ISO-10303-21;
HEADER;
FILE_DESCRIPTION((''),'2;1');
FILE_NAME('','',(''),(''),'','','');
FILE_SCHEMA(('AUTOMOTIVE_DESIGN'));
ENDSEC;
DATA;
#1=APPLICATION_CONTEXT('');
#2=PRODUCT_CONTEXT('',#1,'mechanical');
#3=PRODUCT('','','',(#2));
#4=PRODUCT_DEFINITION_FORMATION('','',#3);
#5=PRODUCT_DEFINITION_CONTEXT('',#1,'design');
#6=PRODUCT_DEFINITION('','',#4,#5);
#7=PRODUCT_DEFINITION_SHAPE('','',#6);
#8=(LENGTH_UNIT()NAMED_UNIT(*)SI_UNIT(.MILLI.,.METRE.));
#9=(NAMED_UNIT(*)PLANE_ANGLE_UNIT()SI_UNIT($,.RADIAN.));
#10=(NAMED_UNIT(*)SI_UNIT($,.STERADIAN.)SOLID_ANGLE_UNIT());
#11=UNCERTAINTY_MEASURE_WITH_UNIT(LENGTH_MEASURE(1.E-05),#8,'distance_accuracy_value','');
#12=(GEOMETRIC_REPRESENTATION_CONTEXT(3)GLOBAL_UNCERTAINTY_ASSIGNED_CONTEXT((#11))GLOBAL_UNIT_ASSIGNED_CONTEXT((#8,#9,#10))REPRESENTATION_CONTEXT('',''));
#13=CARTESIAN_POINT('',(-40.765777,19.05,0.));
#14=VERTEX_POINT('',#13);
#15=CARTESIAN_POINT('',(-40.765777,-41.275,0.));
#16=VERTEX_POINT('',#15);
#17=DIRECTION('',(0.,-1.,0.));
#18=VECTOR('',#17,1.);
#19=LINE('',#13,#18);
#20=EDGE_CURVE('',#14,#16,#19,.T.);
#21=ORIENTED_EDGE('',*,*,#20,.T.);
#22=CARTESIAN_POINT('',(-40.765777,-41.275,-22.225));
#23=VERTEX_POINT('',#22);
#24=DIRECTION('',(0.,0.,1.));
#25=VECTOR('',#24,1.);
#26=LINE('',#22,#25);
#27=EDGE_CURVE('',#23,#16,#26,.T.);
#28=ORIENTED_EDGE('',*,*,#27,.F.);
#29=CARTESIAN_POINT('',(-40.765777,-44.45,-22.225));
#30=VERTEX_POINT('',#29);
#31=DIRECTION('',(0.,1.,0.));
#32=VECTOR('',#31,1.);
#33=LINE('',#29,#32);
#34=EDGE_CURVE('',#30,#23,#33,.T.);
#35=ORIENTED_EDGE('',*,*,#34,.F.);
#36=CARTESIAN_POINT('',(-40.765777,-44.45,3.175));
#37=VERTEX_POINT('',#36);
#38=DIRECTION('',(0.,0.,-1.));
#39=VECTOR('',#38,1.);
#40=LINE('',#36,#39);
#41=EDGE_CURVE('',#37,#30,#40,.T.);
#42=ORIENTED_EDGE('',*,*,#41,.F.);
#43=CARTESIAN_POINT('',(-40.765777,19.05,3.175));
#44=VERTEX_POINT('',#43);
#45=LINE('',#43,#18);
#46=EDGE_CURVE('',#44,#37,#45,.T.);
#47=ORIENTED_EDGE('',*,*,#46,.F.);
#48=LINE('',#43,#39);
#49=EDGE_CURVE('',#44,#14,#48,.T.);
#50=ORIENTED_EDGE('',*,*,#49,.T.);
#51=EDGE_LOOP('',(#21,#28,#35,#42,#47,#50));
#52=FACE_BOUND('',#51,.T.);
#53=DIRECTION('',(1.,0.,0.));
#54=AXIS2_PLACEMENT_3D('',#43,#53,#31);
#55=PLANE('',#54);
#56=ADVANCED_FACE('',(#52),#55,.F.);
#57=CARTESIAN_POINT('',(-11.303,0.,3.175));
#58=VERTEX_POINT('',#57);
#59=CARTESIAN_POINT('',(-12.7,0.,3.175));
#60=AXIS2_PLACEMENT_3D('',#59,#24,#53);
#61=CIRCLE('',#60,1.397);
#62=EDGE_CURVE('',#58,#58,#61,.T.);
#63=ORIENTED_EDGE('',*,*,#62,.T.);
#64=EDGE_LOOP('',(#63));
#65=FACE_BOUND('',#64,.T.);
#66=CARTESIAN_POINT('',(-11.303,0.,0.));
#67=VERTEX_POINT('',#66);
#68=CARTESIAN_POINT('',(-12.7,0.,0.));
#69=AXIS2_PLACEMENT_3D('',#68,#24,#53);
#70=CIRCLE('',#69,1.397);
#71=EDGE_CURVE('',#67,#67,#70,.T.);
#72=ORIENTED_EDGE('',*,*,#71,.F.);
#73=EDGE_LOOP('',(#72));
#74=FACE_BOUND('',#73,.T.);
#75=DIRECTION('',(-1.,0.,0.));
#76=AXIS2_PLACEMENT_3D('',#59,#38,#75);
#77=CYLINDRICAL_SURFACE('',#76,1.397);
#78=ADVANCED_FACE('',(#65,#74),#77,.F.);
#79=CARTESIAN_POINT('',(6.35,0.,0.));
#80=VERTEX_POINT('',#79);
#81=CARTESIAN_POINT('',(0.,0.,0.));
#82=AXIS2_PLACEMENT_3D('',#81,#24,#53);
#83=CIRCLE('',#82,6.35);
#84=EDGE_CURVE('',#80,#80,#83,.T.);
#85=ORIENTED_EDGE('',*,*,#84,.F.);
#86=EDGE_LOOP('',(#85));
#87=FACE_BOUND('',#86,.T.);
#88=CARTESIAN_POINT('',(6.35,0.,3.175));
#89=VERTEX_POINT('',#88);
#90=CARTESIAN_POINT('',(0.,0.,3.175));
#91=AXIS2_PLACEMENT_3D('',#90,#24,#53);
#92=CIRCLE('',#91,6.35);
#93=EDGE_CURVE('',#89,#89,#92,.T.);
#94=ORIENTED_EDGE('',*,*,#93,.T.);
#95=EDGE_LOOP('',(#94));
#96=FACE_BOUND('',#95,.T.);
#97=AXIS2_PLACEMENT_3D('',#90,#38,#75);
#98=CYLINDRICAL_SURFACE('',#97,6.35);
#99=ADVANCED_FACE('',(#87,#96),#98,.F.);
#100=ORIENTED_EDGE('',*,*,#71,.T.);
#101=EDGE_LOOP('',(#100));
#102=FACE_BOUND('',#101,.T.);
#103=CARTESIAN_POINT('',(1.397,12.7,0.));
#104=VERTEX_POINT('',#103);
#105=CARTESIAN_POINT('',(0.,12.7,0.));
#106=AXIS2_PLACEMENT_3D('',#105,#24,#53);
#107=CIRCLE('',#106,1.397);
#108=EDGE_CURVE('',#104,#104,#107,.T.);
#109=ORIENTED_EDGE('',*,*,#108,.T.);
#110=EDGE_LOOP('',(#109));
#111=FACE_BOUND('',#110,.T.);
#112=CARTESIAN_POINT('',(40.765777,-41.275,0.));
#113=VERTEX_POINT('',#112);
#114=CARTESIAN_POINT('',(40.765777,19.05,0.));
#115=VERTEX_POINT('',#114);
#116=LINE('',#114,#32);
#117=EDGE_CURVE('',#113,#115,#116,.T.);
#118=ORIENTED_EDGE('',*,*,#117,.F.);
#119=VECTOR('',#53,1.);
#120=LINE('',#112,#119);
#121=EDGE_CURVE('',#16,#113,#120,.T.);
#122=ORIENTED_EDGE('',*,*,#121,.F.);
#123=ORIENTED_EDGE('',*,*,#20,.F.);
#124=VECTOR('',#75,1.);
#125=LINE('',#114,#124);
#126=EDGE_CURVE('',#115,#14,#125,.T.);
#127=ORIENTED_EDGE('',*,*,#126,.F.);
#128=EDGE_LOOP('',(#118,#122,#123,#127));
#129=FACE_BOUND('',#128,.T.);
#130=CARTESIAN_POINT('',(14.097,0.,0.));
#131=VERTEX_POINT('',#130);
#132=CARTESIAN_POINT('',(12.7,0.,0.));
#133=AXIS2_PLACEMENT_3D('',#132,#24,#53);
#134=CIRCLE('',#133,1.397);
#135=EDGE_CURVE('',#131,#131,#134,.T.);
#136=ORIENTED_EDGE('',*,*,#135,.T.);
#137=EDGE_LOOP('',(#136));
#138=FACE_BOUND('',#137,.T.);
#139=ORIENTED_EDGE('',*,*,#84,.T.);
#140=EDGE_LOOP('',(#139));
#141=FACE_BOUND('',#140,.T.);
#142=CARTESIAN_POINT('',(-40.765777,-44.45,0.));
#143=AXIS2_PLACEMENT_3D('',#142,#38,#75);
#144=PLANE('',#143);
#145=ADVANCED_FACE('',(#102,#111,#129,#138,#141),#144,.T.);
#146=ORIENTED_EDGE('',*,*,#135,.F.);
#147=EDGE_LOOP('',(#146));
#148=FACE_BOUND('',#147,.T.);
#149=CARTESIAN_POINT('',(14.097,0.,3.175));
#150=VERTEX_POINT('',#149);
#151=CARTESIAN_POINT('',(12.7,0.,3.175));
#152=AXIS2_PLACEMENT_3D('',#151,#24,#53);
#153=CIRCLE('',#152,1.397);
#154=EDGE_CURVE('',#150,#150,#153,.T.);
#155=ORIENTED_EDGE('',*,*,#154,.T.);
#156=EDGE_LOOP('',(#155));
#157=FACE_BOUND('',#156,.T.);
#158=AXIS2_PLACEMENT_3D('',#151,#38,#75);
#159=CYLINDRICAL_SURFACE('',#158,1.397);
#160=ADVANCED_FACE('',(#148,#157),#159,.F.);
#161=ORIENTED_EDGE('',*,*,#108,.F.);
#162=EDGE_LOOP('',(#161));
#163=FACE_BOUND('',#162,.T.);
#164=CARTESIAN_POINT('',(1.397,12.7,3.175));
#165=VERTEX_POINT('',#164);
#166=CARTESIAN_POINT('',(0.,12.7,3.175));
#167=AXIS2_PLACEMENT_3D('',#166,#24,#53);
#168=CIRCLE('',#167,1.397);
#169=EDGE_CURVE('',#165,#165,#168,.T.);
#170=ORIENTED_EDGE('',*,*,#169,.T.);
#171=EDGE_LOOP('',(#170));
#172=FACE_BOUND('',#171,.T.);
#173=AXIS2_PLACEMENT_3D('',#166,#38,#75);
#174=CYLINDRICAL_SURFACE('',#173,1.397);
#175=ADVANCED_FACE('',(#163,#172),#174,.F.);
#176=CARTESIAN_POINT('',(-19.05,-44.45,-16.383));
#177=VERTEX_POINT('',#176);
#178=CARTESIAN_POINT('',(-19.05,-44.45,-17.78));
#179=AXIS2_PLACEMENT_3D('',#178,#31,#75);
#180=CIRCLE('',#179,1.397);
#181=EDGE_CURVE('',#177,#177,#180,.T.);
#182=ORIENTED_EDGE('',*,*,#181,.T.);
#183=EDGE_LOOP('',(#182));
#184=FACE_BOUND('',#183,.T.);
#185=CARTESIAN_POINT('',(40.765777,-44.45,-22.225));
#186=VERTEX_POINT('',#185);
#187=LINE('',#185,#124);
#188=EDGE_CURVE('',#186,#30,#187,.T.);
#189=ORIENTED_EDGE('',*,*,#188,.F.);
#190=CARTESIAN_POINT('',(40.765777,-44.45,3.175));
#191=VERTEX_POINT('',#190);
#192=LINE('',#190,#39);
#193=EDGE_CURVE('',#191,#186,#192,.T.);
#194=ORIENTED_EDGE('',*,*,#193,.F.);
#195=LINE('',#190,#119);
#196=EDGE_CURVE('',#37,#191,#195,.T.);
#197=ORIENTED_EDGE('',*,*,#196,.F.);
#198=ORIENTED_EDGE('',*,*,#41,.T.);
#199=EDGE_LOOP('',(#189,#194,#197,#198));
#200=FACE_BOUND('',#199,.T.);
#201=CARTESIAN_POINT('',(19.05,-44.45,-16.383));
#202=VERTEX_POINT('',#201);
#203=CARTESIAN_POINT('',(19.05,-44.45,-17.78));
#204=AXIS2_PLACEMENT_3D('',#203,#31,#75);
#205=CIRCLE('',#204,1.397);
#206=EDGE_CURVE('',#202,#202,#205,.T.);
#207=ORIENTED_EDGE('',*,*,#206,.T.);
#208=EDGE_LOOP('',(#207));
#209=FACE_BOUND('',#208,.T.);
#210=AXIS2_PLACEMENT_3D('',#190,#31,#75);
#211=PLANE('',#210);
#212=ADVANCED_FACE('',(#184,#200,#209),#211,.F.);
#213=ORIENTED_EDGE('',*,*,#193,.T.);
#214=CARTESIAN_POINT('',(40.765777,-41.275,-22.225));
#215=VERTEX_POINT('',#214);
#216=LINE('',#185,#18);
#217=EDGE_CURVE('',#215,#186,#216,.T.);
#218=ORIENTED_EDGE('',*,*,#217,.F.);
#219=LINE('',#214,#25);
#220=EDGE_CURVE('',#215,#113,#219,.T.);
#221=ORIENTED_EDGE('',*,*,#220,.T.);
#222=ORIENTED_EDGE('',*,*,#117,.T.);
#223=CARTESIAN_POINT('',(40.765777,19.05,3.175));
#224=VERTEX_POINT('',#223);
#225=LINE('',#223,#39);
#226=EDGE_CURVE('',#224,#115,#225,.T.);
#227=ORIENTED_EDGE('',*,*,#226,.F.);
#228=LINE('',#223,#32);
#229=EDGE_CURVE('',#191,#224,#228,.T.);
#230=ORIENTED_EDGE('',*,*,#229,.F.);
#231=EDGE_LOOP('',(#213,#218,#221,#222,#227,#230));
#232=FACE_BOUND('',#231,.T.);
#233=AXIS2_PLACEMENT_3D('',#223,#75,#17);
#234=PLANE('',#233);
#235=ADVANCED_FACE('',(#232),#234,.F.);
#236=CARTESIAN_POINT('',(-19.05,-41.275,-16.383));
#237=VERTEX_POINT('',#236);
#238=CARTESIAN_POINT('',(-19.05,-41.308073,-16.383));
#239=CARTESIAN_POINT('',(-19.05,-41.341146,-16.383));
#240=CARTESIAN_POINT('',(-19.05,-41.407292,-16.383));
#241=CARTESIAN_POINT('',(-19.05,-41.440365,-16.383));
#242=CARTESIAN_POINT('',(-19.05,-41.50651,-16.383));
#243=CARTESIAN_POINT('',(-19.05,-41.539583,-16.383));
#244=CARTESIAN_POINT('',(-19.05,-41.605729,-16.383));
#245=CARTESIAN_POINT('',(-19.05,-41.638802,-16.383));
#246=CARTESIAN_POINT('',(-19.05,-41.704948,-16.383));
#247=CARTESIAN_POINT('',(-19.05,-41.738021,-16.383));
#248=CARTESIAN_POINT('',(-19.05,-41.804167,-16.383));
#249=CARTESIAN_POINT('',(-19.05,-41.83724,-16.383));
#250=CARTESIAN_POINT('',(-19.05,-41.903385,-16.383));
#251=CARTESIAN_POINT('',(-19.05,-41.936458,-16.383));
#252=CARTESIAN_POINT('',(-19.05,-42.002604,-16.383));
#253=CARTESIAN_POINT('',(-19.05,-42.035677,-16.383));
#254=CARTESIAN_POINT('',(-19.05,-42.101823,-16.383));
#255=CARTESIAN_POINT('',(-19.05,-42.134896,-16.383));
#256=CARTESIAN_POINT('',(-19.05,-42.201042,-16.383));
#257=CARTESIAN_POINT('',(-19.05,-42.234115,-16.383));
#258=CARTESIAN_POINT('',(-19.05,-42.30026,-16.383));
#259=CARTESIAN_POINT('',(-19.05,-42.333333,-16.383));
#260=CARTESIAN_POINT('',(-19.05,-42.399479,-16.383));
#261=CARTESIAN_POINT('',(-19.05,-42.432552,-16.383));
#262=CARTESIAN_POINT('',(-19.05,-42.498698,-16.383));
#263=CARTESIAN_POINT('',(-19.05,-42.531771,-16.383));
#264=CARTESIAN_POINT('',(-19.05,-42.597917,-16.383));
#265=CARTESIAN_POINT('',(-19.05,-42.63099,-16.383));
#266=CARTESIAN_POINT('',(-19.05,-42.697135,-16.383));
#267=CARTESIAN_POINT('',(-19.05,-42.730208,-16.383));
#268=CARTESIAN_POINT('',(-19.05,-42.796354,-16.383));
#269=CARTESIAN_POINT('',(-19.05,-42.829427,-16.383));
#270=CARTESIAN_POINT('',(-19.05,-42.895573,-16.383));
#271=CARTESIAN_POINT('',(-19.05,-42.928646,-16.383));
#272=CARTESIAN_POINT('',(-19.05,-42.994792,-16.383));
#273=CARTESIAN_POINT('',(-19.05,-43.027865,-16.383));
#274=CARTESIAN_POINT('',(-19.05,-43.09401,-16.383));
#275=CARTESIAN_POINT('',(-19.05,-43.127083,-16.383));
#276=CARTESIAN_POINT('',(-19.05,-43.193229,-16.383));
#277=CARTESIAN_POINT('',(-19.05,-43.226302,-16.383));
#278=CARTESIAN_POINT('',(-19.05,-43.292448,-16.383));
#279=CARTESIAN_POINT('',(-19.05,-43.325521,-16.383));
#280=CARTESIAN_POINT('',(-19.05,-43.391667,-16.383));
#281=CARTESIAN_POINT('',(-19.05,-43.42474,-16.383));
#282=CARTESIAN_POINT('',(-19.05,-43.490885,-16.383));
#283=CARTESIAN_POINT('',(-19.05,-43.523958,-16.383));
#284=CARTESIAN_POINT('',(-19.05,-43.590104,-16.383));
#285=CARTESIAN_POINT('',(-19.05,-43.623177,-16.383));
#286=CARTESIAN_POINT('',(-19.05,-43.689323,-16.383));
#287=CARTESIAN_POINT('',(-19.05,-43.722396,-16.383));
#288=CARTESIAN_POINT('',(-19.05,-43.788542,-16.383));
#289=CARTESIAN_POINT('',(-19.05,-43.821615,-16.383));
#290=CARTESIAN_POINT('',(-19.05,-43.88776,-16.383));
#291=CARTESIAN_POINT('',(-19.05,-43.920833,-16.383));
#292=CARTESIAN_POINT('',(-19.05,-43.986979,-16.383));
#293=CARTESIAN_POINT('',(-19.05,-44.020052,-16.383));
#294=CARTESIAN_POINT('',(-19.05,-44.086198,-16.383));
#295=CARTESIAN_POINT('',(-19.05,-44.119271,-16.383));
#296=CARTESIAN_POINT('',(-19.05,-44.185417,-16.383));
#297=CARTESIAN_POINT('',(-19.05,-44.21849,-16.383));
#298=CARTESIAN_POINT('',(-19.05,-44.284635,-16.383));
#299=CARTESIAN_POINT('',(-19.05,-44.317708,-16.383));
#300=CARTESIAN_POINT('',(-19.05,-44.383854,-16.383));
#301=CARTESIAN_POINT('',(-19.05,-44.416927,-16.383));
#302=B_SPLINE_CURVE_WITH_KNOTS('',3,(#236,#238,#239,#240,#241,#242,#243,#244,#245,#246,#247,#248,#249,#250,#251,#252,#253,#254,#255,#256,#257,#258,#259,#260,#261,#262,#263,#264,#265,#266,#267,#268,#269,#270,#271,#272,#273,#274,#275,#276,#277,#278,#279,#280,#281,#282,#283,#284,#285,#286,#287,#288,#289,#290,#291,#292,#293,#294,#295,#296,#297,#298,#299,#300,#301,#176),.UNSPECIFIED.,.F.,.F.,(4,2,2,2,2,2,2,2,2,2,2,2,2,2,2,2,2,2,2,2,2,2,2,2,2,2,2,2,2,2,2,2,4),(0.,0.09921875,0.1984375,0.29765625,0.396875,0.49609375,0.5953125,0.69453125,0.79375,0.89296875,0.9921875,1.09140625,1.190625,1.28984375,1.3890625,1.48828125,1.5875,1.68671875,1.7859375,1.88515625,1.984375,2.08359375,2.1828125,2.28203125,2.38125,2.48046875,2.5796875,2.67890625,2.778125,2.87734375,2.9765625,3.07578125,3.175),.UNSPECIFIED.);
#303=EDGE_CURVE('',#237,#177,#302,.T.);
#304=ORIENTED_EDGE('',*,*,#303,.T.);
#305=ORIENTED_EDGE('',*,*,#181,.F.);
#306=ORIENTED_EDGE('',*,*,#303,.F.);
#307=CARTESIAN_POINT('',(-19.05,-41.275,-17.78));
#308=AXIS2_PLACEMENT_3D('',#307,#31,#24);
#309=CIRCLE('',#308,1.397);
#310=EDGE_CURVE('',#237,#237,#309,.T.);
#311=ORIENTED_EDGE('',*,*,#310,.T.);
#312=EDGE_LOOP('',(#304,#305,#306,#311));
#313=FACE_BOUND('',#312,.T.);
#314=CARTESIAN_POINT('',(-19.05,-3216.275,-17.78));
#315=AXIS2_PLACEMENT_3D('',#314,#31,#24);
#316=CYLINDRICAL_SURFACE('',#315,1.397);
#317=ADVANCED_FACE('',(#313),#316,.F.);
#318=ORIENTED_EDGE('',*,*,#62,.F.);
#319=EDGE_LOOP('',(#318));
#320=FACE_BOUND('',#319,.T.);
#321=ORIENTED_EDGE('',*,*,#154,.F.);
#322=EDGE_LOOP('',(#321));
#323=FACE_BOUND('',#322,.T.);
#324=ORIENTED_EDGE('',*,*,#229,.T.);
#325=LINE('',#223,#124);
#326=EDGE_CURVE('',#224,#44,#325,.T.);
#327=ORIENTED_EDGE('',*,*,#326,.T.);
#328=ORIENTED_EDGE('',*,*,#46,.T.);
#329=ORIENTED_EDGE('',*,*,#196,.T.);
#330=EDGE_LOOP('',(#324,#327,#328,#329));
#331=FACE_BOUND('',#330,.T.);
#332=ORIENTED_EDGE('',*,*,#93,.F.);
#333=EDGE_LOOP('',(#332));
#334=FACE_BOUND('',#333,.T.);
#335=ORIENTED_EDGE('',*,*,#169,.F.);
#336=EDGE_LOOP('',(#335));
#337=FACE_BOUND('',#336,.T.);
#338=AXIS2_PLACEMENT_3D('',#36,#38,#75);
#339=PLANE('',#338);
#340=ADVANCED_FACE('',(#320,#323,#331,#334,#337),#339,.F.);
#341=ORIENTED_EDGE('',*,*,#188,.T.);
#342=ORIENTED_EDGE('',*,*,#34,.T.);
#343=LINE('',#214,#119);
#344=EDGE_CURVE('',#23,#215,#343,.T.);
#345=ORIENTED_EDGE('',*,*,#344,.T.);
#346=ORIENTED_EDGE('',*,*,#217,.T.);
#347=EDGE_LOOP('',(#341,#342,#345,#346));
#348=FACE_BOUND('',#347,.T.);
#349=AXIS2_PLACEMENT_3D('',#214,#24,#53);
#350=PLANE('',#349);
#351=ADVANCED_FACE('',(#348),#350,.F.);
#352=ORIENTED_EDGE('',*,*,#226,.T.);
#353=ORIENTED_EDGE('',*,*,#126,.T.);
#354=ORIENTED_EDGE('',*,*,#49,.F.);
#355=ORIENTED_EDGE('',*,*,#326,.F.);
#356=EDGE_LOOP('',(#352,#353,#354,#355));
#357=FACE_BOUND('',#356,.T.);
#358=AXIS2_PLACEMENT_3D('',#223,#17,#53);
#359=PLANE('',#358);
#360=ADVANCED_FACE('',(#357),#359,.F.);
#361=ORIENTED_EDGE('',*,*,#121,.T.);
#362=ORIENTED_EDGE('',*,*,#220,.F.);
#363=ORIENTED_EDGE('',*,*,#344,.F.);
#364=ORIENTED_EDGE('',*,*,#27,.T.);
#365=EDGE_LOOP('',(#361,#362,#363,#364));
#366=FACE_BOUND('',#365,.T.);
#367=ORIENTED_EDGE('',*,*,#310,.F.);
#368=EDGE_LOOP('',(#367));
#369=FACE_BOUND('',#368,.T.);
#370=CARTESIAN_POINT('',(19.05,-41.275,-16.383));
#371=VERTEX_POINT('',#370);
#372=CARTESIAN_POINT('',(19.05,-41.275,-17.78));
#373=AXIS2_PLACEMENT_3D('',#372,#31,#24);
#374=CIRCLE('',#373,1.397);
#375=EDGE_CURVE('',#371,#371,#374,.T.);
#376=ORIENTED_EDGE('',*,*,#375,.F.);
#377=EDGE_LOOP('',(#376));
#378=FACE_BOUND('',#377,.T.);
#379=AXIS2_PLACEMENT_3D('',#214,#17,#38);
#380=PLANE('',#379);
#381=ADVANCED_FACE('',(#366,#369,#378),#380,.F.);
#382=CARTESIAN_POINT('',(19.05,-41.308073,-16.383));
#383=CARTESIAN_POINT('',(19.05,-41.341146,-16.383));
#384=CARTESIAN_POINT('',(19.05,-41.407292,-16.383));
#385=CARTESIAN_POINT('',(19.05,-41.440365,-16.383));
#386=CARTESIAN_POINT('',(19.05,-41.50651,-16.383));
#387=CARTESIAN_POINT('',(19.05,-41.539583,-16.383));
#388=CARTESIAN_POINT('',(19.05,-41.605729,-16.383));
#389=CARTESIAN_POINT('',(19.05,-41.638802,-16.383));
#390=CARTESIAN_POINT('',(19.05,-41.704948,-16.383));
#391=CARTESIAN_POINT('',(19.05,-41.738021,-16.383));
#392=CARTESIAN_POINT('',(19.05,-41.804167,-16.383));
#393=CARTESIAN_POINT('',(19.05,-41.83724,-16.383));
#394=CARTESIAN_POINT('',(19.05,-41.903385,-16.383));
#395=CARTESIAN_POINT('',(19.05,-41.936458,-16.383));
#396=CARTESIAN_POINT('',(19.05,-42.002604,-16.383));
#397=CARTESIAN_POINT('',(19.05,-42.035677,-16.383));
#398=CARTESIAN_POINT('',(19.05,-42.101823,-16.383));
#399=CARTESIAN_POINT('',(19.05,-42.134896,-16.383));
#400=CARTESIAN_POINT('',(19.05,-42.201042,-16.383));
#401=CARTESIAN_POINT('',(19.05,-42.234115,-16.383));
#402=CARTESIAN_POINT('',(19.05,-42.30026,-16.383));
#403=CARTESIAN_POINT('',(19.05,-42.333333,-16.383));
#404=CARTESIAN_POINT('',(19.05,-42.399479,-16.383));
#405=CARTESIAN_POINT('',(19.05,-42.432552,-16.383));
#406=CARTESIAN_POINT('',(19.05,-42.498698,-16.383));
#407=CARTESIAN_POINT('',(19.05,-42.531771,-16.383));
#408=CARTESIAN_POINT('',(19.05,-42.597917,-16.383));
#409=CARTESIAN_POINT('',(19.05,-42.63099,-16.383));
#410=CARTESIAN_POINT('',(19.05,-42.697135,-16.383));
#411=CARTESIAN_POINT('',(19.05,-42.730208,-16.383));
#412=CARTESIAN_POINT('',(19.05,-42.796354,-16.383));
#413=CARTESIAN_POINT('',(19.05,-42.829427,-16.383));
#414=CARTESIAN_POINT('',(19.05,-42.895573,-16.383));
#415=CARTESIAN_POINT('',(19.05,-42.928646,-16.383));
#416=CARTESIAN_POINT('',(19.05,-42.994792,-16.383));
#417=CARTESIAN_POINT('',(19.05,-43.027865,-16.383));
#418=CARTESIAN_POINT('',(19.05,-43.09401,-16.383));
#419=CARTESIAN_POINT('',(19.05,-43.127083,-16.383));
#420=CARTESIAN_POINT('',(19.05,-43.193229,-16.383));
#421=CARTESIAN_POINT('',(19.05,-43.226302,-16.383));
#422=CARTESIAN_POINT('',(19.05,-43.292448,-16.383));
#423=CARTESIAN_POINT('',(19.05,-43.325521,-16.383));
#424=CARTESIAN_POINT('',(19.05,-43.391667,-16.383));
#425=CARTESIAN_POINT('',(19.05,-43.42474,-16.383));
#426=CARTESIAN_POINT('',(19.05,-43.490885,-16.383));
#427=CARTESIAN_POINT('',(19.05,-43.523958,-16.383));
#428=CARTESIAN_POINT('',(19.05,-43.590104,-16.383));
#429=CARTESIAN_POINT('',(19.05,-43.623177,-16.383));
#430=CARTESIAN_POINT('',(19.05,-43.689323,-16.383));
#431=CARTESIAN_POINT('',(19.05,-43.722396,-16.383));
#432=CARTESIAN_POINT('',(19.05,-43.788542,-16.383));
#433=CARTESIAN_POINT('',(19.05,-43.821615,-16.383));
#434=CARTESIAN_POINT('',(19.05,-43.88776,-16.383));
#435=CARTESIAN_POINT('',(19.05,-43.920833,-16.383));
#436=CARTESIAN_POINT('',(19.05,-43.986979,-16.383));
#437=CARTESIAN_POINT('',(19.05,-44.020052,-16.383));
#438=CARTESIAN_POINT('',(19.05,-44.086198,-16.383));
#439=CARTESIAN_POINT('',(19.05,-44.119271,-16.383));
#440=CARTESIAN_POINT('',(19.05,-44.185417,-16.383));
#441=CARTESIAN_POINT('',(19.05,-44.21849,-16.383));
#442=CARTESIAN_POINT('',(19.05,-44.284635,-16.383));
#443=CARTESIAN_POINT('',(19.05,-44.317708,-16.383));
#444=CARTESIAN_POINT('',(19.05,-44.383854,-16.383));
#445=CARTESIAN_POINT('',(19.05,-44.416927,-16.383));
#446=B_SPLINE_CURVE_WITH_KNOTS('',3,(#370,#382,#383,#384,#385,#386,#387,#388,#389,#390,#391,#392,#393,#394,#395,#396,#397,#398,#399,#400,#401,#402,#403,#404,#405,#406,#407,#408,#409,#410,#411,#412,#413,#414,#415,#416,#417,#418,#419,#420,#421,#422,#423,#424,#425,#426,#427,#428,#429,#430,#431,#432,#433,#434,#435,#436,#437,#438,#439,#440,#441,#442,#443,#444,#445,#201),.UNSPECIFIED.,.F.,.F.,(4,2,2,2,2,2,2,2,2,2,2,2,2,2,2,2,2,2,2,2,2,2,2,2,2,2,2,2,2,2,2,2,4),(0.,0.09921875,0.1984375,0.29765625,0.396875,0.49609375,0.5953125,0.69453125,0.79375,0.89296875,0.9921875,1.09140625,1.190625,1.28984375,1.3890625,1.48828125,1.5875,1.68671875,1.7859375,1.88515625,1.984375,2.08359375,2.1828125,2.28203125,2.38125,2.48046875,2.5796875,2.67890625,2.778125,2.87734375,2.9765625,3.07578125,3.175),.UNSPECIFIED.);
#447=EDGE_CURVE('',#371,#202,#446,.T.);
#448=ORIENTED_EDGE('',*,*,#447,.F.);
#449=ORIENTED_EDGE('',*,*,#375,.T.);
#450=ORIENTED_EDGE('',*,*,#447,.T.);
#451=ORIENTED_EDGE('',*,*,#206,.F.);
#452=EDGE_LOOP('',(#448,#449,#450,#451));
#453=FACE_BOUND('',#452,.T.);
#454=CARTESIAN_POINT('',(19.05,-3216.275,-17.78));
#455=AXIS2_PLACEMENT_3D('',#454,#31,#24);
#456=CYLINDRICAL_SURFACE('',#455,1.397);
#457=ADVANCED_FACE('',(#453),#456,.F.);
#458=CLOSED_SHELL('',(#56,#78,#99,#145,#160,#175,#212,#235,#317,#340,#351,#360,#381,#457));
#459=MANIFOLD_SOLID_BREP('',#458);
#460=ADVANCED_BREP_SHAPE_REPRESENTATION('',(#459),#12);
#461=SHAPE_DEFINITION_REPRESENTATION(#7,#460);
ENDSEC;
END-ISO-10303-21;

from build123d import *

# Parameters (mm, degrees)
SKETCH1_W           = 81.531554226
SKETCH1_H           = 63.5
SKETCH1_R           = 6.35
SKETCH1_R_2         = 1.397
BOSS_EXTRUDE1_DEPTH = 3.175
SKETCH2_W           = 81.531554226
SKETCH2_H           = 3.175
BOSS_EXTRUDE2_DEPTH = 22.225
SKETCH3_R           = 1.397
CUT_EXTRUDE1_DEPTH  = 3175


with BuildPart() as part:
    # Sketch1 → Boss-Extrude1 (new body)
    with BuildSketch(Plane.XY):
        with Locations((0, -12.7)):
            Rectangle(SKETCH1_W, SKETCH1_H)
        Circle(SKETCH1_R, mode=Mode.SUBTRACT)
        with Locations((0, 12.7)):
            Circle(SKETCH1_R_2, mode=Mode.SUBTRACT)
        with Locations((-12.7, 0)):
            Circle(SKETCH1_R_2, mode=Mode.SUBTRACT)
        with Locations((12.7, 0)):
            Circle(SKETCH1_R_2, mode=Mode.SUBTRACT)
    extrude(amount=BOSS_EXTRUDE1_DEPTH)

    # Sketch2 → Boss-Extrude2 (add)
    with BuildSketch(Plane(origin=(0, 0, 0), x_dir=(-1, 0, 0), z_dir=(0, 0, -1))):
        with Locations((0, -42.8625)):
            Rectangle(SKETCH2_W, SKETCH2_H)
    extrude(amount=BOSS_EXTRUDE2_DEPTH)

    # Sketch3 → Cut-Extrude1 (cut)
    with BuildSketch(Plane(origin=(0, -41.275, 0), x_dir=(1, 0, 0), z_dir=(0, 1, 0))):
        with Locations(Location((-19.05, 17.78, 0), (0, 0, 270))):
            Circle(SKETCH3_R)
        with Locations(Location((19.05, 17.78, 0), (0, 0, 270))):
            Circle(SKETCH3_R)
    extrude(amount=-CUT_EXTRUDE1_DEPTH, mode=Mode.SUBTRACT)


solid = part.part
